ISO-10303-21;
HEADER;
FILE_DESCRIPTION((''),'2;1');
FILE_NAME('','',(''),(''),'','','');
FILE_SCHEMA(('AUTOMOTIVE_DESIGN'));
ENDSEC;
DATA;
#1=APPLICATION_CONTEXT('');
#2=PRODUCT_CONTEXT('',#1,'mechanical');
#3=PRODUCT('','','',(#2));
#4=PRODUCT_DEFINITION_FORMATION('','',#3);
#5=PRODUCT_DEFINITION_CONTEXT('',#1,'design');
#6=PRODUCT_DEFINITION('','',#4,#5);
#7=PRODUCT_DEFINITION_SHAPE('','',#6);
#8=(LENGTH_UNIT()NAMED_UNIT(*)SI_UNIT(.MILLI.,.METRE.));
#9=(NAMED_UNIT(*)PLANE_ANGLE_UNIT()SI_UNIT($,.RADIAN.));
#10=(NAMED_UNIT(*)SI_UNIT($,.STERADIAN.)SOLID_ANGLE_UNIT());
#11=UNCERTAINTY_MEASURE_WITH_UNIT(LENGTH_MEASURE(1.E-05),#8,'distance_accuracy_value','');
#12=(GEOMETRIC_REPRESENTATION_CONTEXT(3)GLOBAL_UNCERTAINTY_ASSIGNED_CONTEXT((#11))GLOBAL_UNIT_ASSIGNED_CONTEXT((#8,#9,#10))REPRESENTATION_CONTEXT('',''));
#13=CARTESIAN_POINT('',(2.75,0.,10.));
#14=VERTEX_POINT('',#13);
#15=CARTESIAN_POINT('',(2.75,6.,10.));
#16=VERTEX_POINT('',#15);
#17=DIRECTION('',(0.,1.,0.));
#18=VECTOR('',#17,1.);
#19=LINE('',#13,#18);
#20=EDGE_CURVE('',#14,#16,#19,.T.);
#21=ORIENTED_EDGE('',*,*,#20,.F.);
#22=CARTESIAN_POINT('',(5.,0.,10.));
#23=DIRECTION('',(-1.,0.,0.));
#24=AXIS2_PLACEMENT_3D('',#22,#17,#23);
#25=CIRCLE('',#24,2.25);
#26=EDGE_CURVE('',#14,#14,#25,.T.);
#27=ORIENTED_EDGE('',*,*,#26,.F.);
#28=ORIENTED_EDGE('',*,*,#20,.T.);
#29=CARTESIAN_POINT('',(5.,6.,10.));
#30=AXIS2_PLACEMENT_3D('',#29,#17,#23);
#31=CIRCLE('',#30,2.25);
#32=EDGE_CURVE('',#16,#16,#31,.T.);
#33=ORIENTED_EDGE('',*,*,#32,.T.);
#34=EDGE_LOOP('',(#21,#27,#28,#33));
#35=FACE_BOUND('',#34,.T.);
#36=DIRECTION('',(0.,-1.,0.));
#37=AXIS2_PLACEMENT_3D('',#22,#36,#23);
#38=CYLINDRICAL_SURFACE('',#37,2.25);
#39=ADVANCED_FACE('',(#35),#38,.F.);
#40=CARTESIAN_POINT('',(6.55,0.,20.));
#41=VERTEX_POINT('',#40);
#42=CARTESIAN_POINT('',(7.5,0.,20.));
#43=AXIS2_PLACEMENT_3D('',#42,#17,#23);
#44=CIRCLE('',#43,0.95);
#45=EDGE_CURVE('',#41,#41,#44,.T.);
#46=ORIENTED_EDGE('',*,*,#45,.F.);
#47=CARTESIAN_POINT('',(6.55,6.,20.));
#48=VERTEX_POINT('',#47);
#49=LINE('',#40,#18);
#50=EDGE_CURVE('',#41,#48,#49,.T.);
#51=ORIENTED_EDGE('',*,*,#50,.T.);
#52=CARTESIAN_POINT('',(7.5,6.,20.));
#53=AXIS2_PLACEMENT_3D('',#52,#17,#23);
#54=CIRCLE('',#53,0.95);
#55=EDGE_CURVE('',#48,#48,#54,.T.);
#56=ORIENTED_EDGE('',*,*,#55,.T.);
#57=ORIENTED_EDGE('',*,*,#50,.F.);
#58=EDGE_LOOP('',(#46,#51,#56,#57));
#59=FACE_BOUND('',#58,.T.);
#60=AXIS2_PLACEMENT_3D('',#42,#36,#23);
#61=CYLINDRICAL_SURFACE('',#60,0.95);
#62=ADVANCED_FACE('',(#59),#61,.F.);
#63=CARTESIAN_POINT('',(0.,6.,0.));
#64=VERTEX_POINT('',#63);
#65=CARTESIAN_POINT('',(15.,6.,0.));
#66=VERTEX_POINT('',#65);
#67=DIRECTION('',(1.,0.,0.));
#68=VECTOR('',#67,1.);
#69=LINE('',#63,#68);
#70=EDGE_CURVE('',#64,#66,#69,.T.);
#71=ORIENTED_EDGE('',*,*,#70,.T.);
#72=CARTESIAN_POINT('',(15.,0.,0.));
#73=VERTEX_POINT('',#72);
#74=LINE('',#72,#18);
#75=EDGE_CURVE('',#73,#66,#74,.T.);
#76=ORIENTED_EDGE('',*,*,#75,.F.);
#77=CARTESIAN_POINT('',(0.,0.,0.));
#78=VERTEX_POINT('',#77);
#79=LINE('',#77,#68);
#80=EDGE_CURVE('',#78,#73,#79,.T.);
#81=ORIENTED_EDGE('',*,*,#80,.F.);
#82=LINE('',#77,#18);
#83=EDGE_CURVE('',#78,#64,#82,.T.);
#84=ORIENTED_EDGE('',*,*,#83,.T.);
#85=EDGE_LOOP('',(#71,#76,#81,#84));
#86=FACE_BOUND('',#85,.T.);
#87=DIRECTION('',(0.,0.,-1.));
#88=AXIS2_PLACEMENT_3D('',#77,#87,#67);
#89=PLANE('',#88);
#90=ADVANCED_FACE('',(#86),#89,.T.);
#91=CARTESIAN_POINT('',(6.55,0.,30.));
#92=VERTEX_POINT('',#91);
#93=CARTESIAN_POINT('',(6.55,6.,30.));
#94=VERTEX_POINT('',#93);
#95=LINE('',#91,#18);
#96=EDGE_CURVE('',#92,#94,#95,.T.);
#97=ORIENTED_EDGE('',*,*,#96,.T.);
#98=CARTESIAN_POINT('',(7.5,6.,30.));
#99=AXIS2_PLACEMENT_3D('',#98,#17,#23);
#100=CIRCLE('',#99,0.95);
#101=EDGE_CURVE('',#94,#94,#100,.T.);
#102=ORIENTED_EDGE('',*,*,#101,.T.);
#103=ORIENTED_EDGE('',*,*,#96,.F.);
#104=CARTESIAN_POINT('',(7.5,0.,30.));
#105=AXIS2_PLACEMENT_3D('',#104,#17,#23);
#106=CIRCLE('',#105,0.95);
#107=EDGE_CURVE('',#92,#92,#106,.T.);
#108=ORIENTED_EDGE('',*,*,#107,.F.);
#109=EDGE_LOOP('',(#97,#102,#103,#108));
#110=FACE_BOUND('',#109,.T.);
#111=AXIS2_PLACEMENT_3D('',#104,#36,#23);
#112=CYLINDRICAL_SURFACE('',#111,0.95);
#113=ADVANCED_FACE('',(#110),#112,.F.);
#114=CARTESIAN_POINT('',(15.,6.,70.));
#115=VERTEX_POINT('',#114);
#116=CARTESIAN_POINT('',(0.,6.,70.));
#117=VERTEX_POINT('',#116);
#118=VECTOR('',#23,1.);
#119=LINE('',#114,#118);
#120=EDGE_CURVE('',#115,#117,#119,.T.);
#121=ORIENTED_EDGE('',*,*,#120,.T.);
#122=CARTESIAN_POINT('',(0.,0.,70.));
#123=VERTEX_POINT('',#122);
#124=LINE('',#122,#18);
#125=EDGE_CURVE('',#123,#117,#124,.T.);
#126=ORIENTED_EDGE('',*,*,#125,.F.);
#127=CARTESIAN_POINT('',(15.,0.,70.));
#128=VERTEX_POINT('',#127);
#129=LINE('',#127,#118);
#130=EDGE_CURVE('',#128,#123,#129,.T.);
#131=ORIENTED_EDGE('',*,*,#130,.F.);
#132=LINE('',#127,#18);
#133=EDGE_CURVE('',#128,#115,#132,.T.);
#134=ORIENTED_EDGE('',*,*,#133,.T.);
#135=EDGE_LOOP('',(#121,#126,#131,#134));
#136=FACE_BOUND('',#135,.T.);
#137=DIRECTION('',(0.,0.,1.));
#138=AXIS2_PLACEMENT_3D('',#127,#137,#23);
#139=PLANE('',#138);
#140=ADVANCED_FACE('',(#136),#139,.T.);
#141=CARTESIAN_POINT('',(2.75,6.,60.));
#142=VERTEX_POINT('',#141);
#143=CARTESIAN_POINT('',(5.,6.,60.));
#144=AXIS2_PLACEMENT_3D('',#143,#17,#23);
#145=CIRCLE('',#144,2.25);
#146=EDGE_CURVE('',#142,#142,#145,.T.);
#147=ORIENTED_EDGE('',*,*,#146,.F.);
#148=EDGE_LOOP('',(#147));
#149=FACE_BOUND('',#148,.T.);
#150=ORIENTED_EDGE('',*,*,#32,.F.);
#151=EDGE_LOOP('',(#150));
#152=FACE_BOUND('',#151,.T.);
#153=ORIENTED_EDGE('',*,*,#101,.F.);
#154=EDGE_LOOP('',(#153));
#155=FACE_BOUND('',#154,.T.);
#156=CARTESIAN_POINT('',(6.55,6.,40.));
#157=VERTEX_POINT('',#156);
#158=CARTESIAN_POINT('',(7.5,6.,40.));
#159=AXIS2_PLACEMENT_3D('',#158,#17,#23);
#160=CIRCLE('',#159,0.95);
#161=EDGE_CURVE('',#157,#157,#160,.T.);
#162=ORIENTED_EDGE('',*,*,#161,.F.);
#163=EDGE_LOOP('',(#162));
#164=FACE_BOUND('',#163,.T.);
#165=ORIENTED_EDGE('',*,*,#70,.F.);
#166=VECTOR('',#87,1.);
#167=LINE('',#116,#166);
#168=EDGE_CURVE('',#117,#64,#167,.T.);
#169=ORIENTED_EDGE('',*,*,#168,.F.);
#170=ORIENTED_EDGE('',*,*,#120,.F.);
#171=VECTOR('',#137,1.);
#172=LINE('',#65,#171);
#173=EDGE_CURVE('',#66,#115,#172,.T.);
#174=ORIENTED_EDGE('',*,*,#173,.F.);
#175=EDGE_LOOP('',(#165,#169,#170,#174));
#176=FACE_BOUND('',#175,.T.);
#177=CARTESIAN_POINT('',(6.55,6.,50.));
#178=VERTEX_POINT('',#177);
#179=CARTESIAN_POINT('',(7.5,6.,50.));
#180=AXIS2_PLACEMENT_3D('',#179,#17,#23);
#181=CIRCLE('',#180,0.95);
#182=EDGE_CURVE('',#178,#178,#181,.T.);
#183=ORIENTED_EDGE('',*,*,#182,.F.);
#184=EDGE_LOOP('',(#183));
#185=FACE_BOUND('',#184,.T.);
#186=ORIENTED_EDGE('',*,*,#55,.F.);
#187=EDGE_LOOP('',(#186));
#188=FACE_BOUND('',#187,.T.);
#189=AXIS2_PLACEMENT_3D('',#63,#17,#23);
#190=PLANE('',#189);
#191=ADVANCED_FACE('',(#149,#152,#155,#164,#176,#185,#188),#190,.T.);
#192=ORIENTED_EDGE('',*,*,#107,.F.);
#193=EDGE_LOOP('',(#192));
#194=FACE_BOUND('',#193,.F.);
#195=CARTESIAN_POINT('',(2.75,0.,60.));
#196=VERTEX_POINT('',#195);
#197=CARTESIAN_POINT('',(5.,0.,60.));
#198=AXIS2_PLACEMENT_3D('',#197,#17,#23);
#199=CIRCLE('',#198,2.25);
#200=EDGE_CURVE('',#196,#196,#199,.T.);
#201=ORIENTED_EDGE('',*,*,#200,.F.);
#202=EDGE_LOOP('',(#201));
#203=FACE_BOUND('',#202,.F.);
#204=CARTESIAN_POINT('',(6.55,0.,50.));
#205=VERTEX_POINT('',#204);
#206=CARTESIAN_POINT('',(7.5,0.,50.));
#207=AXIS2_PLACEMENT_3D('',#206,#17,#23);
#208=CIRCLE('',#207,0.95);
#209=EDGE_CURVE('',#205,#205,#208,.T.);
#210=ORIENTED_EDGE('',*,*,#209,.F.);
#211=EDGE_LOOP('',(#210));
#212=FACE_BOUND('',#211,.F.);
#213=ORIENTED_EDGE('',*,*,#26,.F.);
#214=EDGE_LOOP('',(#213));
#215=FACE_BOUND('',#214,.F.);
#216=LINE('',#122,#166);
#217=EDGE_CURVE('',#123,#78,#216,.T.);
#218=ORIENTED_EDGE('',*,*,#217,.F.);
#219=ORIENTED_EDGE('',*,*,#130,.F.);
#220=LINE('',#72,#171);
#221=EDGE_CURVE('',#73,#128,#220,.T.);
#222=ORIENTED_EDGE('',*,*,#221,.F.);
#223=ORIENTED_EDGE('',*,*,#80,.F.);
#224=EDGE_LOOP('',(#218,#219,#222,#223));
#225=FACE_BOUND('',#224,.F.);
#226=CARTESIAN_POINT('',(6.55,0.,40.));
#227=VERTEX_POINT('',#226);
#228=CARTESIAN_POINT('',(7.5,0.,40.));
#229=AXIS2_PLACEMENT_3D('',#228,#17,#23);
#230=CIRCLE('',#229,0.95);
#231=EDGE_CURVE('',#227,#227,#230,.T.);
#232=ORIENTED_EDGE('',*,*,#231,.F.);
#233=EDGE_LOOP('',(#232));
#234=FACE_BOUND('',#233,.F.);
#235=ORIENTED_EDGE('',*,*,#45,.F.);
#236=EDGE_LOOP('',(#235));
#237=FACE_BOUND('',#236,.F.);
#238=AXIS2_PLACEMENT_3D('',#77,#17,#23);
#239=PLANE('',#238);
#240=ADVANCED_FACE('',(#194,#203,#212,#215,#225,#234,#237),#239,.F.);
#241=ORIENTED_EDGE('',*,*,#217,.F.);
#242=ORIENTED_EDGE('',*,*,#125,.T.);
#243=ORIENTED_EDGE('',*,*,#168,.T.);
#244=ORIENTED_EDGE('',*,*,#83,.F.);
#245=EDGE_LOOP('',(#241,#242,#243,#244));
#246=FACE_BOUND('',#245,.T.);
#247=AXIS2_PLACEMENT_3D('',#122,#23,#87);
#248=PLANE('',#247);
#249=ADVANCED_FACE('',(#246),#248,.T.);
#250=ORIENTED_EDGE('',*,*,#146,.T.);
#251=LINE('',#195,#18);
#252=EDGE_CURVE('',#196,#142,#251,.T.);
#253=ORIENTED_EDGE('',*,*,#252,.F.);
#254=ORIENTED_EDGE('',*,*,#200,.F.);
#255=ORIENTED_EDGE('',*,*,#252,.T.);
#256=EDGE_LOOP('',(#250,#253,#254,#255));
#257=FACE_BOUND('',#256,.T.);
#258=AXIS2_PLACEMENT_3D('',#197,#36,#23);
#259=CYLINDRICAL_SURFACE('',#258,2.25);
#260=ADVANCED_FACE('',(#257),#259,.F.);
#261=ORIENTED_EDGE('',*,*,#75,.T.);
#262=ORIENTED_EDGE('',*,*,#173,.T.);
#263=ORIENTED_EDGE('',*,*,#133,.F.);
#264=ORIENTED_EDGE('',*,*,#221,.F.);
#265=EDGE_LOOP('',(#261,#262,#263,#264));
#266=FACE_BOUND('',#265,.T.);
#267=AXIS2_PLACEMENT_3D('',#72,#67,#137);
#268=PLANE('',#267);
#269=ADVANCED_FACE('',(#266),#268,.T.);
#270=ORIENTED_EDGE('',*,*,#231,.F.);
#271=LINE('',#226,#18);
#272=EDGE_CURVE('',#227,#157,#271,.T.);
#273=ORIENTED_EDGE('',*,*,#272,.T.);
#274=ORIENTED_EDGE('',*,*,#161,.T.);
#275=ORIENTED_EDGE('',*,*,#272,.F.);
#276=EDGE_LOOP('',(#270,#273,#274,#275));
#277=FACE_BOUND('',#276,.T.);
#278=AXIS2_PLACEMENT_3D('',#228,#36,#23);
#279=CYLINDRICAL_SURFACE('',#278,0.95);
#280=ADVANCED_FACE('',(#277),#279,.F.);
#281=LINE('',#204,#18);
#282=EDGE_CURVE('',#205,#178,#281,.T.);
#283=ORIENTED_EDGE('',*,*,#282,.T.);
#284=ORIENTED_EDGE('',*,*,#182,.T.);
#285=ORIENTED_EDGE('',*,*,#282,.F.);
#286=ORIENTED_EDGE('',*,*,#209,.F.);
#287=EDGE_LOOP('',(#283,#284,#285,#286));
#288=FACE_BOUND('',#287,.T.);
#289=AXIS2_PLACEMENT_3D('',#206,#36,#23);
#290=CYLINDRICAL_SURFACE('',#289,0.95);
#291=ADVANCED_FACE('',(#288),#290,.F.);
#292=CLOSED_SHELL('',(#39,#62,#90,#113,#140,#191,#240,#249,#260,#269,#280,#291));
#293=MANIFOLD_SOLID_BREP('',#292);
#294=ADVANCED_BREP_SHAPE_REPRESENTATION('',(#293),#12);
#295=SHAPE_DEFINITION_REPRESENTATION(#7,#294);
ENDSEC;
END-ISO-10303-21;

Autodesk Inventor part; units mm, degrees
ref_plane "YZ Plane" through (0, 0, 0) normal (1, 0, 0) x (0, 1, 0)
ref_plane "XZ Plane" through (0, 0, 0) normal (0, 1, 0) x (-1, 0, 0)
ref_plane "XY Plane" through (0, 0, 0) normal (0, 0, 1) x (1, 0, 0)
sketch "Sketch2" plane through (0, 0, 0) normal (0, 1, 0) x (-1, 0, 0)
  line L0 (0, 0) -> (-15, 0)
  line L1 (-15, 0) -> (-15, 70)
  line L2 (-15, 70) -> (0, 70)
  line L3 (0, 70) -> (0, 0)
  circle A0 centre (-5, 10) radius 2.25
  circle A1 centre (-5, 60) radius 2.25
  circle A2 centre (-7.5, 20) radius 0.95
  circle A3 centre (-7.5, 30) radius 0.95
  circle A4 centre (-7.5, 40) radius 0.95
  circle A5 centre (-7.5, 50) radius 0.95
  dimension "d76" = 15
  dimension "d78" = 10
  dimension "d79" = 50
  dimension "d80" = 5
  dimension "d81" = 4.5
  dimension "d82" = 10
  dimension "d83" = 1.9
  dimension "d86" = 10
  dimension "d91" = 10
  dimension "d92" = 7.5
extrude "Extrusion2" add sketch "Sketch2" along normal blind 6
properties part number "phone_holder_top_insert" material "Acrylic, Clear"
